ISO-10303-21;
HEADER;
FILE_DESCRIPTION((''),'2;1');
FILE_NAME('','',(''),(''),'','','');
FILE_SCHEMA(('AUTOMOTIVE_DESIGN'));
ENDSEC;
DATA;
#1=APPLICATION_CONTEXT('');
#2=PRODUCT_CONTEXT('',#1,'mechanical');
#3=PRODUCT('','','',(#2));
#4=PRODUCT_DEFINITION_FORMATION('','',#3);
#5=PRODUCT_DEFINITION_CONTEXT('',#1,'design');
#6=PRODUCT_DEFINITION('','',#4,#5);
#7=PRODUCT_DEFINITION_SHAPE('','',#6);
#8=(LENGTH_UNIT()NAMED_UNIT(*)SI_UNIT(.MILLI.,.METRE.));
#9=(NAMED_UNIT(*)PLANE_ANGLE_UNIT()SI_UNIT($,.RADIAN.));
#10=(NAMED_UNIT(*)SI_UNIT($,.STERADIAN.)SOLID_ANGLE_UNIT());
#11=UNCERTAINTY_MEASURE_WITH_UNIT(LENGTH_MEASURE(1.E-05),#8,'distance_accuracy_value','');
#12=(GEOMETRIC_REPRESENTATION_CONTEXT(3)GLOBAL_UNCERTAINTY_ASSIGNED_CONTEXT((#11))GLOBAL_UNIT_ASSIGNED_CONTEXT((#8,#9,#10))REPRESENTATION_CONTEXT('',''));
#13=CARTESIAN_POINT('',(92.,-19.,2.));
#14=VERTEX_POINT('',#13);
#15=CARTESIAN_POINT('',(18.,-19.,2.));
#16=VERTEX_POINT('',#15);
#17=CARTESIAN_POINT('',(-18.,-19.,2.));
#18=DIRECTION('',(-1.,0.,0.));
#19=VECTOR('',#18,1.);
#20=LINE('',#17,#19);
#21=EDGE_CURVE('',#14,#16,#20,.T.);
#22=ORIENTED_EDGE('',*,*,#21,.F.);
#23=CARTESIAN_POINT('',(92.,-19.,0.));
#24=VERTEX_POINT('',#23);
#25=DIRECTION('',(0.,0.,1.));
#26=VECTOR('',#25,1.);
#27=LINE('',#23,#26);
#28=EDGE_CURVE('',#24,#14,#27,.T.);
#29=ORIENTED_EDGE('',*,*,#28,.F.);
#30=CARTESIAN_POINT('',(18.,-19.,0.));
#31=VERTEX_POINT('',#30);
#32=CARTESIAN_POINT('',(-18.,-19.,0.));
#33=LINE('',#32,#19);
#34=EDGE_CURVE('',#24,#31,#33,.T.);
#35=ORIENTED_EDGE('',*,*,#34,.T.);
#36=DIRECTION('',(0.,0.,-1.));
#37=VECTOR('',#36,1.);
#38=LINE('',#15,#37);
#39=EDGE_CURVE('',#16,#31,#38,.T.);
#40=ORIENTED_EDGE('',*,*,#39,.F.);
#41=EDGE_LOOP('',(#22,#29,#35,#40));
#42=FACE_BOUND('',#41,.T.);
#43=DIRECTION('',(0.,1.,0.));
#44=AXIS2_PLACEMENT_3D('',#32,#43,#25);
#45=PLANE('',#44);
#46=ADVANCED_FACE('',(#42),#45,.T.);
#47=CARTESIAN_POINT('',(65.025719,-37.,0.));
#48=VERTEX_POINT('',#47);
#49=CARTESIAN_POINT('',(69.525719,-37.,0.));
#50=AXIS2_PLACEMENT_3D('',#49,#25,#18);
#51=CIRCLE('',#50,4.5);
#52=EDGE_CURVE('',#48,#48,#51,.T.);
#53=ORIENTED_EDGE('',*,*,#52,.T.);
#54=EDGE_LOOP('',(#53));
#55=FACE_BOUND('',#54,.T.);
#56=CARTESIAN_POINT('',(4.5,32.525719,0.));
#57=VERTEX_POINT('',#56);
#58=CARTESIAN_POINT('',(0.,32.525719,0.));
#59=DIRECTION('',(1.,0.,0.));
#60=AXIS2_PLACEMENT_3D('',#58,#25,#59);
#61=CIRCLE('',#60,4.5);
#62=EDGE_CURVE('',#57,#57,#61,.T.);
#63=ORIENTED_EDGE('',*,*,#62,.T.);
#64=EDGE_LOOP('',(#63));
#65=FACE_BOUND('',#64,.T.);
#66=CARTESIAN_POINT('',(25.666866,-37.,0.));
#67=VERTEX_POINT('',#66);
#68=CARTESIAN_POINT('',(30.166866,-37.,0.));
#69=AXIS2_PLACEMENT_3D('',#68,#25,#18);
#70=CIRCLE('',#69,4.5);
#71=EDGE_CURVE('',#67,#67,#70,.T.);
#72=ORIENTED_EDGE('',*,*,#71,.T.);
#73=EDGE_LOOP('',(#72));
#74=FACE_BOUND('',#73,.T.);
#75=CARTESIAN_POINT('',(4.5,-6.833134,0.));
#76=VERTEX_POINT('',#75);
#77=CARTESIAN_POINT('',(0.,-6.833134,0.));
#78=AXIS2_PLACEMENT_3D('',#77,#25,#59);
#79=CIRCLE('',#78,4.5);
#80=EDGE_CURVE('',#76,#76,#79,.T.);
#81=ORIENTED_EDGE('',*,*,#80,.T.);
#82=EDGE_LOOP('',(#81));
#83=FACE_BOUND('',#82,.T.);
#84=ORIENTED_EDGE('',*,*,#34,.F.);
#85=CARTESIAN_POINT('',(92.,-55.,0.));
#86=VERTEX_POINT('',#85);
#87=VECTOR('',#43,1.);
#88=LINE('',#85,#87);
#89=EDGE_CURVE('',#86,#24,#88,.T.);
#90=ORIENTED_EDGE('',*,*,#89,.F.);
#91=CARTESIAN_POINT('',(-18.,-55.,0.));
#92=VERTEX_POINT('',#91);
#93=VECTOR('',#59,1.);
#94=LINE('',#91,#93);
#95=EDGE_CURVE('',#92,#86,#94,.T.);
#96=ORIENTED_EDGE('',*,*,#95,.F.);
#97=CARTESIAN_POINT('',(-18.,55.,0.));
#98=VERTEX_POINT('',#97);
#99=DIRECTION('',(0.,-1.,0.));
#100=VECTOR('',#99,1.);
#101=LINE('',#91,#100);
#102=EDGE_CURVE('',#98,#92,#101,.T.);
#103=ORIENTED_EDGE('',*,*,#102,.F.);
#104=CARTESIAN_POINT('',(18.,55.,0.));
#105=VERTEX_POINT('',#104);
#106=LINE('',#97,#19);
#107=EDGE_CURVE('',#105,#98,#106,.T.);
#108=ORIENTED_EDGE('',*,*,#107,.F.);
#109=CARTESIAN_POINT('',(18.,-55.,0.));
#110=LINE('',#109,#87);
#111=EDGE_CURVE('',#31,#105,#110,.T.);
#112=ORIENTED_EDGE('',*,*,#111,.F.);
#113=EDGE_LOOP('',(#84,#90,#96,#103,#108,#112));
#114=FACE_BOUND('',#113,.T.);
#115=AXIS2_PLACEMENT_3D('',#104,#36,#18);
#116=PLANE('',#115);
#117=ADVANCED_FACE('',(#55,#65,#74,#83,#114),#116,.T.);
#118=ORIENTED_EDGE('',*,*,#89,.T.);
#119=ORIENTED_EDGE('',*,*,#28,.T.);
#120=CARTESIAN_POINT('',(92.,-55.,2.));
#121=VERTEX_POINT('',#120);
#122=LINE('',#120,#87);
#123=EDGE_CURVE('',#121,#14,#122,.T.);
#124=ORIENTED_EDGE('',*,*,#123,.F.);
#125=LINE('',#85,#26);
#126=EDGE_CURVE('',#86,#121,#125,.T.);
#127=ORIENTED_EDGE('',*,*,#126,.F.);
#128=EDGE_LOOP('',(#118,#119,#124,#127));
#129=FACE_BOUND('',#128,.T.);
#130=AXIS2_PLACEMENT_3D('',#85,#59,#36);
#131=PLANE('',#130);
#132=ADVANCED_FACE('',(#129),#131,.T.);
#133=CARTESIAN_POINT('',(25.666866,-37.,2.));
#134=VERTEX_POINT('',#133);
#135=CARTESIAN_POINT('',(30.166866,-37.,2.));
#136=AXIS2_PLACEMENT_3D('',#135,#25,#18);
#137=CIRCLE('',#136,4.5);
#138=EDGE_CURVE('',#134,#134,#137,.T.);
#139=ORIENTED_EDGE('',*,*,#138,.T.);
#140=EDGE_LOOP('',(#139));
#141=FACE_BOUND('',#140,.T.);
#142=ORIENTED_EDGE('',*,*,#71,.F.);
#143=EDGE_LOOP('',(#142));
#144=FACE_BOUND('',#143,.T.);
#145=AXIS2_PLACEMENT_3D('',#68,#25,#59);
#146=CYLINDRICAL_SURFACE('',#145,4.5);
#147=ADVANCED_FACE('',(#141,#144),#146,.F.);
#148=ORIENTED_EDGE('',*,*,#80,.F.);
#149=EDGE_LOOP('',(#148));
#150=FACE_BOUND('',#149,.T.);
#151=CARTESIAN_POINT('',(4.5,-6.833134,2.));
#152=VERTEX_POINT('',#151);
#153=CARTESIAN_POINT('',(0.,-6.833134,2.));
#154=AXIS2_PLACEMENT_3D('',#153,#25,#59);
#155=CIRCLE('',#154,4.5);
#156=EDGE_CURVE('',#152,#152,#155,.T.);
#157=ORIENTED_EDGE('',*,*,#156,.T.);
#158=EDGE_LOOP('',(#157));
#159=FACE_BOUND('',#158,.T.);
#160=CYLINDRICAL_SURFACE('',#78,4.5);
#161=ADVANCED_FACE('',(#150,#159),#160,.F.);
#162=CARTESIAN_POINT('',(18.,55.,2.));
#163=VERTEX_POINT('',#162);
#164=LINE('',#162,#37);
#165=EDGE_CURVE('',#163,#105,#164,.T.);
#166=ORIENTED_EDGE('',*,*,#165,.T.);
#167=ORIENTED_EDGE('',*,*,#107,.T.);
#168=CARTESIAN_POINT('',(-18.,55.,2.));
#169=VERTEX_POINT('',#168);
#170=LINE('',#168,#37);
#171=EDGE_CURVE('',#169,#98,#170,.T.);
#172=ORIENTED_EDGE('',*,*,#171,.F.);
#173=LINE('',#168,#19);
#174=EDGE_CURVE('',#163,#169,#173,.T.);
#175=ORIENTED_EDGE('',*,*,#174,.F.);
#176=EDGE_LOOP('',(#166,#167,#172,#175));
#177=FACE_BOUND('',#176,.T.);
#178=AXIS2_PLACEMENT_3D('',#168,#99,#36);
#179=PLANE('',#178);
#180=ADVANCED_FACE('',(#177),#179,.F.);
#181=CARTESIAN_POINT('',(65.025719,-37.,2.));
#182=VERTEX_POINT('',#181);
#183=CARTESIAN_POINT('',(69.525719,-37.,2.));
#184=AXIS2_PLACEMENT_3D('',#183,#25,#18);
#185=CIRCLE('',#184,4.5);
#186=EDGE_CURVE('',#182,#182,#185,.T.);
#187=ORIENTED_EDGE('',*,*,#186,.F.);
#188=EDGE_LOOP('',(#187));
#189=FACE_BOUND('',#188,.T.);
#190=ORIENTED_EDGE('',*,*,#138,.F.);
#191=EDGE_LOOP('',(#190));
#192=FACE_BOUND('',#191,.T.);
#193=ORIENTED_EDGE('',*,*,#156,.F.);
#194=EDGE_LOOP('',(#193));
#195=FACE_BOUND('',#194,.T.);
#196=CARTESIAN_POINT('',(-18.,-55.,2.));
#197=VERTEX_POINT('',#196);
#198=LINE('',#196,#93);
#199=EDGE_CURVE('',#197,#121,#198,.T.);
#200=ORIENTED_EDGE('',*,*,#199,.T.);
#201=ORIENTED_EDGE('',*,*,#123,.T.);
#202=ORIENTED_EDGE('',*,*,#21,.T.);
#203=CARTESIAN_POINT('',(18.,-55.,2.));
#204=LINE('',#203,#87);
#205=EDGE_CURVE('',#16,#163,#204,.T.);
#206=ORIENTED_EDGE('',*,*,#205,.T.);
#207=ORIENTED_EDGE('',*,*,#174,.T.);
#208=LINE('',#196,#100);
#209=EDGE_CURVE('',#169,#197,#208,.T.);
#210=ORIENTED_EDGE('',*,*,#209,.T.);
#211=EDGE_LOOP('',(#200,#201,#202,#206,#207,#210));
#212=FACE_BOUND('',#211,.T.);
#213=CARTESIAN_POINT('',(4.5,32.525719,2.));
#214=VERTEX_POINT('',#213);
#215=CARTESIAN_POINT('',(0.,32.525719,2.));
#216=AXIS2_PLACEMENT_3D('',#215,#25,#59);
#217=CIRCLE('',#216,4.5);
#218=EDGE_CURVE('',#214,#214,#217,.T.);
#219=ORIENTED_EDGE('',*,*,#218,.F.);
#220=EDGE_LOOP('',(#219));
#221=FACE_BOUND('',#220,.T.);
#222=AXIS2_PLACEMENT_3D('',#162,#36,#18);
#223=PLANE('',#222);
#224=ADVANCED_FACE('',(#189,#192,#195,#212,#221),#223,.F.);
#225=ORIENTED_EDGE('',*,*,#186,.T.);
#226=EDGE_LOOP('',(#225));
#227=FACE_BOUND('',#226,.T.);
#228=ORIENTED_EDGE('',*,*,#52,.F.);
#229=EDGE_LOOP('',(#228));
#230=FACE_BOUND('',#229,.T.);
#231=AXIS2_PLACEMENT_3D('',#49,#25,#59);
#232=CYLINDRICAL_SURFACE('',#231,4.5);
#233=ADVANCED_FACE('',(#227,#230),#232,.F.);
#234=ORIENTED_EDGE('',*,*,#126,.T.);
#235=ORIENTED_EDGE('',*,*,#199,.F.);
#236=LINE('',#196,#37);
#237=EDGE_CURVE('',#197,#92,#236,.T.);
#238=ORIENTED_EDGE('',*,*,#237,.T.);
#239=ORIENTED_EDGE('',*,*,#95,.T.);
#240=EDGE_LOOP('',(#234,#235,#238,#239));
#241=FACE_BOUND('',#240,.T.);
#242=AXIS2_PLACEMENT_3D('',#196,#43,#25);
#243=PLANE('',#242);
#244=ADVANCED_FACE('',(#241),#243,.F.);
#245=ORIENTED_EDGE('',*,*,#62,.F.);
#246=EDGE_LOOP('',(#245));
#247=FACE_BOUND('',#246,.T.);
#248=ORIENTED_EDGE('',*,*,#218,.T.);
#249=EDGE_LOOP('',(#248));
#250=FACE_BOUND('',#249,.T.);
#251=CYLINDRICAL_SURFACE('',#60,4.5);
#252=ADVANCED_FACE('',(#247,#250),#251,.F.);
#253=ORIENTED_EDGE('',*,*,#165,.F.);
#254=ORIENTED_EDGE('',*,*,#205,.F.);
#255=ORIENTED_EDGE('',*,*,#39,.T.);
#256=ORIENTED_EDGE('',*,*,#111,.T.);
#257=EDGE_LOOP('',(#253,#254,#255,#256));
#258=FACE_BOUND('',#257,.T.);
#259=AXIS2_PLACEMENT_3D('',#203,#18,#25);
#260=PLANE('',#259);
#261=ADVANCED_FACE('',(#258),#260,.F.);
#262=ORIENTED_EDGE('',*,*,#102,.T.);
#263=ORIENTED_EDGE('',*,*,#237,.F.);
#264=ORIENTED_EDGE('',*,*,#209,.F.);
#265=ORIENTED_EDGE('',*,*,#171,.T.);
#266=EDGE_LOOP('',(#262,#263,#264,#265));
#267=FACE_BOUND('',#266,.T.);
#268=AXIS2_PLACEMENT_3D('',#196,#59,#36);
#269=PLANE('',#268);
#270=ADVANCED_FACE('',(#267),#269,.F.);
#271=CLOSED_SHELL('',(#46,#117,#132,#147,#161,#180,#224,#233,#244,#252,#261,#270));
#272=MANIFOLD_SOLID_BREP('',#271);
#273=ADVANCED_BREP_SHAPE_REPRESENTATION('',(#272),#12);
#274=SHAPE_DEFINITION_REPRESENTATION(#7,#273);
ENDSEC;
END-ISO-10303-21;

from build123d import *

# Parameters (mm, degrees)
SKETCH_1_W          = 36
SKETCH_1_H          = 110
EXTRUDE_1_DEPTH     = 2
SKETCH_2_W          = 110
SKETCH_2_H          = 36
EXTRUDE_2_DEPTH     = 2
SKETCH_3_R          = 4.5
CUT_EXTRUDE_1_DEPTH = 108.205410311


with BuildPart() as part:
    # 草图1 → 凸台-拉伸1 (new body)
    with BuildSketch(Plane.XY):
        Rectangle(SKETCH_1_W, SKETCH_1_H)
    extrude(amount=EXTRUDE_1_DEPTH)

    # 草图2 → 凸台-拉伸2 (add)
    with BuildSketch(Plane.XY.offset(2)):
        with Locations((37, -37)):
            Rectangle(SKETCH_2_W, SKETCH_2_H)
    extrude(amount=-EXTRUDE_2_DEPTH)

    # 草图3 → 切除-拉伸1 (cut, through all)
    with BuildSketch(Plane.XY.offset(2)):
        with Locations((0, 32.525719086)):
            Circle(SKETCH_3_R)
        with Locations((0, -6.833134262)):
            Circle(SKETCH_3_R)
        with Locations(Location((30.166865738, -37, 0), (0, 0, 180))):
            Circle(SKETCH_3_R)
        with Locations(Location((69.525719086, -37, 0), (0, 0, 180))):
            Circle(SKETCH_3_R)
    extrude(amount=-CUT_EXTRUDE_1_DEPTH, mode=Mode.SUBTRACT)


solid = part.part
